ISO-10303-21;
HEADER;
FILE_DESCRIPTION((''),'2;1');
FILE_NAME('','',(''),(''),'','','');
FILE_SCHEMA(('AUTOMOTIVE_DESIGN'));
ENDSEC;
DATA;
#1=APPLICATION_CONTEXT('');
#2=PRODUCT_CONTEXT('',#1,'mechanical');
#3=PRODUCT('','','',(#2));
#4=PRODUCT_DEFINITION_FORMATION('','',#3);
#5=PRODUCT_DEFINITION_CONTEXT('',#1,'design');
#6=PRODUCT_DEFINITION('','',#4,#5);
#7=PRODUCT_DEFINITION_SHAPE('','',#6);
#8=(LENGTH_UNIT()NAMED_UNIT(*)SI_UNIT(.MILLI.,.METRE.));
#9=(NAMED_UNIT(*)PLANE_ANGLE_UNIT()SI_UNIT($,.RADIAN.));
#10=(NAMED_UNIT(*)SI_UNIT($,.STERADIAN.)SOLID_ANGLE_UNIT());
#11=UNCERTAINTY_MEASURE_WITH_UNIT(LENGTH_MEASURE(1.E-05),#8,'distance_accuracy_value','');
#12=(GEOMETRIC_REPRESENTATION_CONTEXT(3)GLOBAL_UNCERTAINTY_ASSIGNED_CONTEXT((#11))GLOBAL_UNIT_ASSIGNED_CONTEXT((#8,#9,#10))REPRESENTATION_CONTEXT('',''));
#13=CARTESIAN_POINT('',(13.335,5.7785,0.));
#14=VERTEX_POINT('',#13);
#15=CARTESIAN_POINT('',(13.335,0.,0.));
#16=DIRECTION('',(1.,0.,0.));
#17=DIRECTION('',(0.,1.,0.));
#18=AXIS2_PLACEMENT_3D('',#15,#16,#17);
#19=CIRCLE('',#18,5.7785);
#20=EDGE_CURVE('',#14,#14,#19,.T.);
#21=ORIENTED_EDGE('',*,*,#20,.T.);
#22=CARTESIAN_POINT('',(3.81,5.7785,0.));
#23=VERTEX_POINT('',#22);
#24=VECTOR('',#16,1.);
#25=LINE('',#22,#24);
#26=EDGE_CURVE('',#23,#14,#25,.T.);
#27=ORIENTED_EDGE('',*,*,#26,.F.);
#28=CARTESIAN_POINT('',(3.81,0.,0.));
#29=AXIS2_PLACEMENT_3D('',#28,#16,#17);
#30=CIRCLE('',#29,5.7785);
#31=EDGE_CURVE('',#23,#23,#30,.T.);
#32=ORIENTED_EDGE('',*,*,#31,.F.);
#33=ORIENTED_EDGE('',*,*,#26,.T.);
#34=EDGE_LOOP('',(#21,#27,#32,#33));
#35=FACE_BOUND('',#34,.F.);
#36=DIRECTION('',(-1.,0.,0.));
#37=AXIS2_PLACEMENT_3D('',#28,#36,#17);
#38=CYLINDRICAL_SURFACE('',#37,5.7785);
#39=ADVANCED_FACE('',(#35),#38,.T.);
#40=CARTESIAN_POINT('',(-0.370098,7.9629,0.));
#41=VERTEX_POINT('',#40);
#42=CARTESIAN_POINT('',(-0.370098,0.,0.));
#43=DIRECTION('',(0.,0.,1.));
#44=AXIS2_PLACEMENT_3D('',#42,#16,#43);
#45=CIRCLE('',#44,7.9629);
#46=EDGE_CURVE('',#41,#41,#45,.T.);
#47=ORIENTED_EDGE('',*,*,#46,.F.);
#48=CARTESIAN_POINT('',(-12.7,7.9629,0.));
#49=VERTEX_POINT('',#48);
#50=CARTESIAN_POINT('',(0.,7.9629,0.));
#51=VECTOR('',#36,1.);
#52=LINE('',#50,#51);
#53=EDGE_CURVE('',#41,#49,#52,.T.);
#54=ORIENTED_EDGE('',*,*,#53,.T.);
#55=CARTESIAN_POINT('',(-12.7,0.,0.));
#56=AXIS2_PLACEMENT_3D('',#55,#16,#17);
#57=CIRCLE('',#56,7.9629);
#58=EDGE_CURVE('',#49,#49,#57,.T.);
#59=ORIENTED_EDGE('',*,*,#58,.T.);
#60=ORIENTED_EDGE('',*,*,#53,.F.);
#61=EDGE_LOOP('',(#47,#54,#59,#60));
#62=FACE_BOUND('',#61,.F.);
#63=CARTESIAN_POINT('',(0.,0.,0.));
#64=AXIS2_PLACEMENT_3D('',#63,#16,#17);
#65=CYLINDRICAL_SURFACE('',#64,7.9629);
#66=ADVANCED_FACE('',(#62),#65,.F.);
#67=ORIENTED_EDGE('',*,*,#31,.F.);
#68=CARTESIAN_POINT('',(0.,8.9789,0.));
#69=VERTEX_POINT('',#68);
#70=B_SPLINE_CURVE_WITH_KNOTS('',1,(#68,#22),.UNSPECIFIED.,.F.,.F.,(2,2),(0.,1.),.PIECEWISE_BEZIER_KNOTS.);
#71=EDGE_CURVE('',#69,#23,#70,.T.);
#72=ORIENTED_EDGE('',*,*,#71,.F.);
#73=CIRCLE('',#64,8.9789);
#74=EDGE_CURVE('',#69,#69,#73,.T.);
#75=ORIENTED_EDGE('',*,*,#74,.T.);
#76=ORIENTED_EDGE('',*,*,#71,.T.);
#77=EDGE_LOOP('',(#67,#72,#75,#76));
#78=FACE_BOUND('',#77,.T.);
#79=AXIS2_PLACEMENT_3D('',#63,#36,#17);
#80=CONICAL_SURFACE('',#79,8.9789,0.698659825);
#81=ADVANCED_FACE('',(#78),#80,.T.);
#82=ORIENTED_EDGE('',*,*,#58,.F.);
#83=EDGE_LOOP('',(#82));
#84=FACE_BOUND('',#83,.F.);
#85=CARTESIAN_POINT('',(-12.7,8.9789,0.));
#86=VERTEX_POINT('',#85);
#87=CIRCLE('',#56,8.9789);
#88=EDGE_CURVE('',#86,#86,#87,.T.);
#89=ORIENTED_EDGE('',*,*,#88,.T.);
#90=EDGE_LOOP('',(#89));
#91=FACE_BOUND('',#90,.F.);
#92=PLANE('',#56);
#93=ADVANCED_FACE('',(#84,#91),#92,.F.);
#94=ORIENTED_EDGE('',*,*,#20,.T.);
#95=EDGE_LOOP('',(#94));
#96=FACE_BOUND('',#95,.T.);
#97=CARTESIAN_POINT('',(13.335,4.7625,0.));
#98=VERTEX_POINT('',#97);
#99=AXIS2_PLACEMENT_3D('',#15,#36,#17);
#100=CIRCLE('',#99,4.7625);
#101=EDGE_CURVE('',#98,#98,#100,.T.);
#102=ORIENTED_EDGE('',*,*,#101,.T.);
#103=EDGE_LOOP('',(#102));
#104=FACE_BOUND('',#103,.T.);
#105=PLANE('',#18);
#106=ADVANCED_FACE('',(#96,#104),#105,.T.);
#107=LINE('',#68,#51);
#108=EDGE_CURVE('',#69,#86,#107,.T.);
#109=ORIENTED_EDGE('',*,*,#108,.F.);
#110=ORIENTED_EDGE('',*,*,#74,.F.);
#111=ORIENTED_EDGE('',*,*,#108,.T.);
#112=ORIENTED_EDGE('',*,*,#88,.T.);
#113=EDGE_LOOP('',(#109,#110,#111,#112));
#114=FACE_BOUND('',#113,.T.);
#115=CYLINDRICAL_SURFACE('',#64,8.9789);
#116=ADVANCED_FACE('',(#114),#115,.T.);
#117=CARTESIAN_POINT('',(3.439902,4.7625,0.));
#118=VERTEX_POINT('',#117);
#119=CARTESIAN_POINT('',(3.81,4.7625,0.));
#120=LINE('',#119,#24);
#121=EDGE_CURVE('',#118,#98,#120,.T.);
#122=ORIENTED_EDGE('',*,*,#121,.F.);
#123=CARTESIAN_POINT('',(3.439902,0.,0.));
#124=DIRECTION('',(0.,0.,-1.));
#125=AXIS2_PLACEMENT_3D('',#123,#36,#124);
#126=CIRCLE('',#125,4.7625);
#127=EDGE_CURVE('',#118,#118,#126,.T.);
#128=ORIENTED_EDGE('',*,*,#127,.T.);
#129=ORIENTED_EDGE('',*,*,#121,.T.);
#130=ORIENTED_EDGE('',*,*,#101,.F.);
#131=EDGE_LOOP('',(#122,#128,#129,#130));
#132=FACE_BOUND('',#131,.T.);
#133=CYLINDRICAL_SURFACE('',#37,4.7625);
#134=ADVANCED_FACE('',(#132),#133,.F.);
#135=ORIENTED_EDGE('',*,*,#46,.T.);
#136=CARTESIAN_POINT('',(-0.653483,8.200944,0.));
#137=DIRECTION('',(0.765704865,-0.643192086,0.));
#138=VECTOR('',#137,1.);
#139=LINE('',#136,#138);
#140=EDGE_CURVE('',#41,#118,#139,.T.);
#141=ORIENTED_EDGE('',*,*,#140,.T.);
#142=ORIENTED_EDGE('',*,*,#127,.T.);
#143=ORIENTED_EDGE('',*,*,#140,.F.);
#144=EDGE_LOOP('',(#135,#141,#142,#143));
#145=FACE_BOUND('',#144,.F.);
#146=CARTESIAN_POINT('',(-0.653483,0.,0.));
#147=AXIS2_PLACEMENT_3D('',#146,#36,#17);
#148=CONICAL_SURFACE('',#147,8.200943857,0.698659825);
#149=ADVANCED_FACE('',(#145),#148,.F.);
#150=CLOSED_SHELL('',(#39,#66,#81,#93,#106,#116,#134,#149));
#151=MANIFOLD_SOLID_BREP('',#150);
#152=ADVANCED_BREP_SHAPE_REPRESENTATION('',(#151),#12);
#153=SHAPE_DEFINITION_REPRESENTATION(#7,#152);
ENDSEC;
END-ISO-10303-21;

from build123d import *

# Parameters (mm, degrees)
F0_R      = 8.9789
F1_DEPTH  = 12.7
F3_R      = 5.7785
F4_DEPTH  = 9.525
F1_FACE_R = 8.9789
F4_FACE_R = 5.7785
F6_T      = -1.016


with BuildPart() as f1:
    # F0 (on Right) → F1 (new body)
    with BuildSketch(Plane.YZ):
        Circle(F0_R)
    extrude(amount=-F1_DEPTH)



with BuildPart() as f4:
    # F3 (on offset) → F4 (new body)
    with BuildSketch(Plane.YZ.offset(3.81)):
        Circle(F3_R)
    extrude(amount=F4_DEPTH)


with BuildPart() as f1_1:
    add(f1.part)

    add(f4.part)  # F5 merges F4
    # F1_face (on face) → F5 section 0
    with BuildSketch(Plane.YZ):
        Circle(F1_FACE_R)
    # F4_face (on face) → F5 section 1
    with BuildSketch(Plane(origin=(3.81, 0, 0), x_dir=(0, 1, 0), z_dir=(-1, 0, 0))):
        Circle(F4_FACE_R)
    loft()

    # F6
    f6_openings = [f1_1.faces().sort_by_distance(p)[0] for p in [
        (13.335, 0, 0),
        (-12.7, 0, 0),
    ]]
    offset(amount=F6_T, openings=f6_openings, kind=Kind.INTERSECTION)


solid = f1_1.part
